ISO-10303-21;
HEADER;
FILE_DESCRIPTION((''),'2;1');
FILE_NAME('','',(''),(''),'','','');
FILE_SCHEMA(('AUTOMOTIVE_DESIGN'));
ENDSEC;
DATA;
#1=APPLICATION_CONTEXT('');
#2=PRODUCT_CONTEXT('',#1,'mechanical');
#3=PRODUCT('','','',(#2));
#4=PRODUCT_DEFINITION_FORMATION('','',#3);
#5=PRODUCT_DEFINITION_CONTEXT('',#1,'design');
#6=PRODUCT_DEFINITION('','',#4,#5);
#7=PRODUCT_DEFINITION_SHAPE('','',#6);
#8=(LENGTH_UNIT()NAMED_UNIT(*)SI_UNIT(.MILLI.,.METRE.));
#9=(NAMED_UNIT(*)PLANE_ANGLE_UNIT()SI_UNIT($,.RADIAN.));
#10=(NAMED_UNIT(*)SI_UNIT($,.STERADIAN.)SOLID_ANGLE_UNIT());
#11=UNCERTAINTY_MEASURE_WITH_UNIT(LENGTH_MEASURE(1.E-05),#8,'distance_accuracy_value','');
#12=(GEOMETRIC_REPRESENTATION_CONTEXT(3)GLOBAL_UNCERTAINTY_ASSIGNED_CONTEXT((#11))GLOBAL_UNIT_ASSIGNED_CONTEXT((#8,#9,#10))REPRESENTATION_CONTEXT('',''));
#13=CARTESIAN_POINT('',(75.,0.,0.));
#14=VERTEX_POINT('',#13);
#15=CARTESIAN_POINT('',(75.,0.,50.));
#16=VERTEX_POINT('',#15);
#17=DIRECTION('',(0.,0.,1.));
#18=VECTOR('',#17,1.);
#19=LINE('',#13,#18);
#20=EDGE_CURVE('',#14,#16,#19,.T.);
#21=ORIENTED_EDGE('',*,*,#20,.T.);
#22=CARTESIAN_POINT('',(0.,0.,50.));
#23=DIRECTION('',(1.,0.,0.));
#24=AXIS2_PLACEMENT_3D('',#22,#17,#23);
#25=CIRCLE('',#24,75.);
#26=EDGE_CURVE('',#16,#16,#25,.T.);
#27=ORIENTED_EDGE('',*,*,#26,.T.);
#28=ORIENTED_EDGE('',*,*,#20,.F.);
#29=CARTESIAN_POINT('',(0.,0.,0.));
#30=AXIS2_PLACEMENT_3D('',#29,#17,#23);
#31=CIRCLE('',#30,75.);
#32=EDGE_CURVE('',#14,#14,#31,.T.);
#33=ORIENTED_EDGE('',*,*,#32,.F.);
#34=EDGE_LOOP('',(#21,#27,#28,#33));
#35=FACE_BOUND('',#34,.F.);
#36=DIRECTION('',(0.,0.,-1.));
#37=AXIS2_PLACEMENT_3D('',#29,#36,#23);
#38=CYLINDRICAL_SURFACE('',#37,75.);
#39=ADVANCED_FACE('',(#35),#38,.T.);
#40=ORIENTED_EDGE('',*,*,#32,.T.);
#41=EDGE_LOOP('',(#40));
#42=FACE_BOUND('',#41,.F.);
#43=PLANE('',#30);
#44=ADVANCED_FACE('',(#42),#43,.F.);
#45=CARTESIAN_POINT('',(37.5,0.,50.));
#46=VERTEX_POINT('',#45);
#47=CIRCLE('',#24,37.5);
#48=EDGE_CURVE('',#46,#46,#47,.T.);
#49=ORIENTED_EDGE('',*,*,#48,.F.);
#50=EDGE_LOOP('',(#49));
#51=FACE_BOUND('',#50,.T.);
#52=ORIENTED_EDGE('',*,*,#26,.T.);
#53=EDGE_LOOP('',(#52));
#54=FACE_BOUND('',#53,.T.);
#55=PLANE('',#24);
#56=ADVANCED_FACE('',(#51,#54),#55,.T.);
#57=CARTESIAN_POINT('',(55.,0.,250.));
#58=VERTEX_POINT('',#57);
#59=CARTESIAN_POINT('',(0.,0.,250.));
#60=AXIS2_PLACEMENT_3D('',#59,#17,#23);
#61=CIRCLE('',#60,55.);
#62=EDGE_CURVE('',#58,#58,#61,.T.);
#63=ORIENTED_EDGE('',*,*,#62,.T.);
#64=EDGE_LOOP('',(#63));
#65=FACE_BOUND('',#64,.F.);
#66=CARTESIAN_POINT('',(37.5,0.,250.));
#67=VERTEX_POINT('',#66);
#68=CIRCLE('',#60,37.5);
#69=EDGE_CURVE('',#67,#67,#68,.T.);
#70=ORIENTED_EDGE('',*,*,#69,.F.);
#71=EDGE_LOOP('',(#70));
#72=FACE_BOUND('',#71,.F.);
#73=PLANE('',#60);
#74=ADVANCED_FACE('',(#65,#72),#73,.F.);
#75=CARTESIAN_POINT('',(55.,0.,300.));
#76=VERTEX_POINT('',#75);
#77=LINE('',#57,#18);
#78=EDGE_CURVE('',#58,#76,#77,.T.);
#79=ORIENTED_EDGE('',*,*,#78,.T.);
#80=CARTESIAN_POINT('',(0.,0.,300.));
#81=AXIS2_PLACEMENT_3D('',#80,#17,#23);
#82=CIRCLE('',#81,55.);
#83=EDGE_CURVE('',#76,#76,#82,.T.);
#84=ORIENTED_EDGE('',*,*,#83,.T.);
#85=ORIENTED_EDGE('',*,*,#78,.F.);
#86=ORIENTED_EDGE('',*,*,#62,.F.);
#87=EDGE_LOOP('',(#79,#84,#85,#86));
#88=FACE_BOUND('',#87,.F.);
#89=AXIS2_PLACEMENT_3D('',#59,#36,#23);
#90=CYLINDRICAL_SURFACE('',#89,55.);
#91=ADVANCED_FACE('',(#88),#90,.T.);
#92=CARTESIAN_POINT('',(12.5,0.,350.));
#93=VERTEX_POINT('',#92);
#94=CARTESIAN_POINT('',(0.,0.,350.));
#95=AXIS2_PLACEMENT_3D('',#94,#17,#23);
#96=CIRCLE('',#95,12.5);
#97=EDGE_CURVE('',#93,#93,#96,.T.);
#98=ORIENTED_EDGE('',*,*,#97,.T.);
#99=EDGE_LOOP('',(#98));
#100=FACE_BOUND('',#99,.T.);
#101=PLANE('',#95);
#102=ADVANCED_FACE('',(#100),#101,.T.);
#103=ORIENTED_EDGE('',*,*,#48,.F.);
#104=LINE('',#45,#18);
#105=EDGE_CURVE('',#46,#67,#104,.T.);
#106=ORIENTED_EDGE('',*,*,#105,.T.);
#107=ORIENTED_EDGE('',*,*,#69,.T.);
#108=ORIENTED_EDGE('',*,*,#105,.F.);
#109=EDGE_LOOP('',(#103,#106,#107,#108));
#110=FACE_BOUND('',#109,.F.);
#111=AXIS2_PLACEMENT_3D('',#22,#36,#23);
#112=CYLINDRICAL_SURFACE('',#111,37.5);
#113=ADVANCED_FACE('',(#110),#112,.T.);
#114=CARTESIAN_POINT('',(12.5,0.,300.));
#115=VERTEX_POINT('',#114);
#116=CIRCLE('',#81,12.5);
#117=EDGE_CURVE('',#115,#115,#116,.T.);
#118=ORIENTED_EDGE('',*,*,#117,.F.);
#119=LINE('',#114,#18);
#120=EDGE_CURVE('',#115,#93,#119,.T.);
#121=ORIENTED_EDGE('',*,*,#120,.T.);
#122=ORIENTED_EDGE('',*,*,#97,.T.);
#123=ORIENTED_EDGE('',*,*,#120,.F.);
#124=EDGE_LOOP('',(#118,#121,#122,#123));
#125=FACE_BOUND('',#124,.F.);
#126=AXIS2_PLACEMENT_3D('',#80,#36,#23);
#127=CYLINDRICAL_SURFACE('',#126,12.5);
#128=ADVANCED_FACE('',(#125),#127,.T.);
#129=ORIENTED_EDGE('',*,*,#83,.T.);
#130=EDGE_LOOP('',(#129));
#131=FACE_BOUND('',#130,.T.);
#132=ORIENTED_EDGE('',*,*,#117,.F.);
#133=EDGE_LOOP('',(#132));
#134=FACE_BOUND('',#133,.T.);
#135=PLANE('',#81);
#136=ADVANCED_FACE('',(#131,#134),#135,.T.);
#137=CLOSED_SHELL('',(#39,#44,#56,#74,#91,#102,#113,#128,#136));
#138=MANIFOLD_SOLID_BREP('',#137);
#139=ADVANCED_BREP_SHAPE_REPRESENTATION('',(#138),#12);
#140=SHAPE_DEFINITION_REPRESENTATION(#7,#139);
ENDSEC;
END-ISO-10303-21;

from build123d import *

# Parameters (mm, degrees)
F0_R     = 75
F1_DEPTH = 50
F2_R     = 37.5
F3_DEPTH = 200
F4_R     = 55
F4_R_2   = 37.5
F5_DEPTH = 50
F6_R     = 12.5
F7_DEPTH = 50


with BuildPart() as f1:
    # F0 (on Top) → F1 (new body)
    with BuildSketch(Plane.XY):
        Circle(F0_R)
    extrude(amount=F1_DEPTH)

    # F2 (on face) → F3 (join)
    with BuildSketch(Plane.XY.offset(50)):
        Circle(F2_R)
    extrude(amount=F3_DEPTH)

    # F4 (on face) → F5 (join)
    with BuildSketch(Plane.XY.offset(250)):
        Circle(F4_R)
        Circle(F4_R_2, mode=Mode.SUBTRACT)
        Circle(F4_R_2)
    extrude(amount=F5_DEPTH)

    # F6 (on face) → F7 (join)
    with BuildSketch(Plane.XY.offset(300)):
        Circle(F6_R)
    extrude(amount=F7_DEPTH)


solid = f1.part
